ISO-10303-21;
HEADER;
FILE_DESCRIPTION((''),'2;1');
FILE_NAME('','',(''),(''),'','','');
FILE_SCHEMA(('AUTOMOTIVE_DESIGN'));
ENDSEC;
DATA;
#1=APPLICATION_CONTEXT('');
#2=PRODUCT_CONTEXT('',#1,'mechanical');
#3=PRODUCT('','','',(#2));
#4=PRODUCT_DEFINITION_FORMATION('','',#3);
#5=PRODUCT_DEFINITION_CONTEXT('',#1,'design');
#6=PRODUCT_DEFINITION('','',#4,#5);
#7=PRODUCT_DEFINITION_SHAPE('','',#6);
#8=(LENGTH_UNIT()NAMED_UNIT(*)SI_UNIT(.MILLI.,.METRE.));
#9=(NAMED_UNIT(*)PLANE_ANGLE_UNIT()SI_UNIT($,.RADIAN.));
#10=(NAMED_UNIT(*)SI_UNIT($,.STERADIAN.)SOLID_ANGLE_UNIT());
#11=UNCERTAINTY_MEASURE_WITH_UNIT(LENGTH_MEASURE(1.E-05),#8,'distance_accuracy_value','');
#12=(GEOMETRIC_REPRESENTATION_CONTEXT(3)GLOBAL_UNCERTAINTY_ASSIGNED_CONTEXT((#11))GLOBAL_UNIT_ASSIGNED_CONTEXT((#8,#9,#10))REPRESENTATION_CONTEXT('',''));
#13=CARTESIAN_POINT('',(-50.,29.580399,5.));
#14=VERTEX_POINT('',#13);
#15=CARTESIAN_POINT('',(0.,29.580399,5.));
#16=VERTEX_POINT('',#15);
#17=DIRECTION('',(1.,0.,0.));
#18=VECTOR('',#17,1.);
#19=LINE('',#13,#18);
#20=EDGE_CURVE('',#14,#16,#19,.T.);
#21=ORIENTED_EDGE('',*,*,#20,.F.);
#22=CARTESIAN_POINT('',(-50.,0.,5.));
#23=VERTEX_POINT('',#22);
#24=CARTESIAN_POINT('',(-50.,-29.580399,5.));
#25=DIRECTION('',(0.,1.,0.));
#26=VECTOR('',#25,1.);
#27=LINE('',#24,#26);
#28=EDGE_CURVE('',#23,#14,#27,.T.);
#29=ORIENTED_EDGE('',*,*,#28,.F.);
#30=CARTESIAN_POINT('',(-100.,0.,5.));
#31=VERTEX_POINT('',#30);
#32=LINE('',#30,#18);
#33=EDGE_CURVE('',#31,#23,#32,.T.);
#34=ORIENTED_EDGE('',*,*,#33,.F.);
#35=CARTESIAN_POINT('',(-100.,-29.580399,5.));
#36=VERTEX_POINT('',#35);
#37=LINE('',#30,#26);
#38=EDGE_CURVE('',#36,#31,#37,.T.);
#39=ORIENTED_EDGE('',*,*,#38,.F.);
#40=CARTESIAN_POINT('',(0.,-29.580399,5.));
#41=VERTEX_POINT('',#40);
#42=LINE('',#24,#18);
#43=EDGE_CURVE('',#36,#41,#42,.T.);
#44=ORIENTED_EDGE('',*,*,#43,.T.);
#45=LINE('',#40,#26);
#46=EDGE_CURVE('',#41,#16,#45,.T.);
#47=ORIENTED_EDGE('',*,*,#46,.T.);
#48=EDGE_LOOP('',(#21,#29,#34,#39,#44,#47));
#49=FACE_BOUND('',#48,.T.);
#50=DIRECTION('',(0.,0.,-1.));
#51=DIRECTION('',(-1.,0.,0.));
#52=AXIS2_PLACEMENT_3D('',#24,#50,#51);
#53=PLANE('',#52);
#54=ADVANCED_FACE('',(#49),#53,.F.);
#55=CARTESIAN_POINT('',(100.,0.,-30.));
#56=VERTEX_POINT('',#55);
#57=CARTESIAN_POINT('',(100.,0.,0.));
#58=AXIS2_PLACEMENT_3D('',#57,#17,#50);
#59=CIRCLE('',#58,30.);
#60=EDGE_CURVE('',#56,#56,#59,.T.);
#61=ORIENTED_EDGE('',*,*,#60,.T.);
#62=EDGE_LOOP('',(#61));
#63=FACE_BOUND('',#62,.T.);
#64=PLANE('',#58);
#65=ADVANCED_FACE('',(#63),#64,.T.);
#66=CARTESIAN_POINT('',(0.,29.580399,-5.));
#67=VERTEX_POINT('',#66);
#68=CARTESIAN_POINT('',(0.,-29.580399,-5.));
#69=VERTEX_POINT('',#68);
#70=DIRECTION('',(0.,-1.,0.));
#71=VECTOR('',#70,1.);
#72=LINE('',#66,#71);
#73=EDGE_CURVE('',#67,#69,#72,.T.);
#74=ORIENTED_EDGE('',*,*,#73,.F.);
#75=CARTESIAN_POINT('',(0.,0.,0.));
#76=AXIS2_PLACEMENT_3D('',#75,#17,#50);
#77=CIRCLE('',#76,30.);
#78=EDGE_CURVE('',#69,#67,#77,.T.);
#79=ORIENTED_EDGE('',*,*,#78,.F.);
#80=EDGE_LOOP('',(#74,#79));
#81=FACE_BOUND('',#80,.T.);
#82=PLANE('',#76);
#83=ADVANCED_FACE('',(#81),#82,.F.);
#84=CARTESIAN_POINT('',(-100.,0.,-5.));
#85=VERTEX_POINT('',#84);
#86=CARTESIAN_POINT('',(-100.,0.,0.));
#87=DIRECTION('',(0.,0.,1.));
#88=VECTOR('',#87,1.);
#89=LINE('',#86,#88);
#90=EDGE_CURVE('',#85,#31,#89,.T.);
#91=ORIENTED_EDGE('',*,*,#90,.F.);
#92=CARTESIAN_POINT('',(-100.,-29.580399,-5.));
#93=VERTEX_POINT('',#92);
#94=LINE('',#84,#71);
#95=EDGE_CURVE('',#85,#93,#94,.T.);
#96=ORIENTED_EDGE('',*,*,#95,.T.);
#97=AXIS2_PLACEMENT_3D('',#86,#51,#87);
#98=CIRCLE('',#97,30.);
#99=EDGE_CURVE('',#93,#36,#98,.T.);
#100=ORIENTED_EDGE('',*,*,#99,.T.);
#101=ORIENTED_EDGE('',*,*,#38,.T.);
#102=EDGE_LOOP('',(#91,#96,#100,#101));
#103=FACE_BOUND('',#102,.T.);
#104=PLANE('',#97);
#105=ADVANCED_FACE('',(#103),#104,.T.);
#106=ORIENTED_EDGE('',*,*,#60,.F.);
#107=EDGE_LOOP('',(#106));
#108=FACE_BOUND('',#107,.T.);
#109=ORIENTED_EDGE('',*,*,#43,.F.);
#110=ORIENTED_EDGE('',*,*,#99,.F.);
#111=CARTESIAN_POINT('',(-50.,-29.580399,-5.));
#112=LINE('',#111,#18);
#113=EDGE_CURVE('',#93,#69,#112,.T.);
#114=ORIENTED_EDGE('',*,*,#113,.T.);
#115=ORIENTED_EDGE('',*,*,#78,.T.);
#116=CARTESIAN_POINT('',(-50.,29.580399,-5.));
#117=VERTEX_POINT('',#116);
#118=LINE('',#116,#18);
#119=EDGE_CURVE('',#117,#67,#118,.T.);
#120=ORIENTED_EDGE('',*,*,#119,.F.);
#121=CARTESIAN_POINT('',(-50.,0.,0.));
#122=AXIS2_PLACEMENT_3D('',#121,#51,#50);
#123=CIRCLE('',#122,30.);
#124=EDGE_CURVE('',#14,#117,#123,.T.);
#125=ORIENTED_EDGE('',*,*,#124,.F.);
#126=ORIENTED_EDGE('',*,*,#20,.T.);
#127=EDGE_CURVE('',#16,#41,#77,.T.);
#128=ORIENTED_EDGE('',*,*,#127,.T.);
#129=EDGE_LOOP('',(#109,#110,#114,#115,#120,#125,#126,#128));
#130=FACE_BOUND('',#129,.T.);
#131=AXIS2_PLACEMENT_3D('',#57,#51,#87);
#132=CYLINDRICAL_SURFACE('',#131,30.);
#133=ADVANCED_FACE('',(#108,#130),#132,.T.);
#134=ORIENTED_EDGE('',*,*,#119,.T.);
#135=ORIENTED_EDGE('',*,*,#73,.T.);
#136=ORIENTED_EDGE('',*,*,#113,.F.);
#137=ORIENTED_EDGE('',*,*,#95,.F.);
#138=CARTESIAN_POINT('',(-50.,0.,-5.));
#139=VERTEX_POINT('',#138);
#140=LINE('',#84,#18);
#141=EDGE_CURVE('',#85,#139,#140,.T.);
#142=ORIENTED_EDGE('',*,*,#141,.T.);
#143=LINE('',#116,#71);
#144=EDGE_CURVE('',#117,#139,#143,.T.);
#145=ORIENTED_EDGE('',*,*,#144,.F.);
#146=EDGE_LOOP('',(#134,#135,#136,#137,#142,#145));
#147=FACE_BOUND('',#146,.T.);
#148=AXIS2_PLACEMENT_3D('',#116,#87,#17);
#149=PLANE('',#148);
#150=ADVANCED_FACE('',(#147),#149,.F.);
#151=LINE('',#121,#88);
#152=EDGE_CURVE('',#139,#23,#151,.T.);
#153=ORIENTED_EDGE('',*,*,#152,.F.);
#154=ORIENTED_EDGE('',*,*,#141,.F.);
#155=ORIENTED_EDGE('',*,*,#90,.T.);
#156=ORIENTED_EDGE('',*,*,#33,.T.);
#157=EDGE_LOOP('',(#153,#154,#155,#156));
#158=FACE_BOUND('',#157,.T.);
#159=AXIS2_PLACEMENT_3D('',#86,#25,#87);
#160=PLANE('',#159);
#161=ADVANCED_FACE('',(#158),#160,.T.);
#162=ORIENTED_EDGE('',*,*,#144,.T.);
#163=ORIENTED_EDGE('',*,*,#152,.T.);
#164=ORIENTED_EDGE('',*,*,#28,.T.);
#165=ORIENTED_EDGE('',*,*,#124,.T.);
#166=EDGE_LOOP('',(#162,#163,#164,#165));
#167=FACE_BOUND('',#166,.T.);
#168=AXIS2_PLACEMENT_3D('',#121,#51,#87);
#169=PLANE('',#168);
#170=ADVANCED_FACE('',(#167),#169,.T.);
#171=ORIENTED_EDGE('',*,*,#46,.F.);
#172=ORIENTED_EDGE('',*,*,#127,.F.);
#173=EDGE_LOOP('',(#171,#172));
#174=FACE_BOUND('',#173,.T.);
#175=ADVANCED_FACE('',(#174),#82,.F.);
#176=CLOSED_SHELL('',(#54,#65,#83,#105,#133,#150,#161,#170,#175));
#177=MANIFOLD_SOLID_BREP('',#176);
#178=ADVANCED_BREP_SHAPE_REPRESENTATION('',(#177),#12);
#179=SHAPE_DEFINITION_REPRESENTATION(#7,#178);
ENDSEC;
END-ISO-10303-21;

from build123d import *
from build123d.topology import SkipClean

# Parameters (mm, degrees)
SKETCH1_R           = 30
BOSS_EXTRUDE1_DEPTH = 100
BOSS_EXTRUDE2_START = 50
BOSS_EXTRUDE2_DEPTH = 50
BOSS_EXTRUDE3_START = 50
BOSS_EXTRUDE3_DEPTH = 50


with BuildPart() as part:
    # Sketch1 → Boss-Extrude1 (new body)
    with BuildSketch(Plane(origin=(0, 0, 0), x_dir=(0, 0, -1), z_dir=(1, 0, 0))):
        Circle(SKETCH1_R)
    extrude(amount=BOSS_EXTRUDE1_DEPTH)

    # Sketch2 → Boss-Extrude2 (add)
    with SkipClean():  # the faces are left unmerged after this step: merging them gives an invalid solid
        with BuildSketch(Plane.ZY.offset(BOSS_EXTRUDE2_START)):
            with BuildLine():
                Line((5, -29.580398915), (5, 29.580398915))
                ThreePointArc((5, 29.580398915), (0, 30), (-5, 29.580398915))
                Line((-5, 29.580398915), (-5, -29.580398915))
                ThreePointArc((-5, -29.580398915), (0, -30), (5, -29.580398915))
            make_face()
        extrude(amount=-BOSS_EXTRUDE2_DEPTH)

    # Sketch3 → Boss-Extrude3 (add)
    with SkipClean():  # the faces are left unmerged after this step: merging them gives an invalid solid
        with BuildSketch(Plane.ZY.offset(50).offset(BOSS_EXTRUDE3_START)):
            with BuildLine():
                Line((5, 0), (-5, 0))
                Line((-5, 0), (-5, -29.580398915))
                ThreePointArc((-5, -29.580398915), (0, -30), (5, -29.580398915))
                Line((5, -29.580398915), (5, 0))
            make_face()
        extrude(amount=-BOSS_EXTRUDE3_DEPTH)


solid = part.part
